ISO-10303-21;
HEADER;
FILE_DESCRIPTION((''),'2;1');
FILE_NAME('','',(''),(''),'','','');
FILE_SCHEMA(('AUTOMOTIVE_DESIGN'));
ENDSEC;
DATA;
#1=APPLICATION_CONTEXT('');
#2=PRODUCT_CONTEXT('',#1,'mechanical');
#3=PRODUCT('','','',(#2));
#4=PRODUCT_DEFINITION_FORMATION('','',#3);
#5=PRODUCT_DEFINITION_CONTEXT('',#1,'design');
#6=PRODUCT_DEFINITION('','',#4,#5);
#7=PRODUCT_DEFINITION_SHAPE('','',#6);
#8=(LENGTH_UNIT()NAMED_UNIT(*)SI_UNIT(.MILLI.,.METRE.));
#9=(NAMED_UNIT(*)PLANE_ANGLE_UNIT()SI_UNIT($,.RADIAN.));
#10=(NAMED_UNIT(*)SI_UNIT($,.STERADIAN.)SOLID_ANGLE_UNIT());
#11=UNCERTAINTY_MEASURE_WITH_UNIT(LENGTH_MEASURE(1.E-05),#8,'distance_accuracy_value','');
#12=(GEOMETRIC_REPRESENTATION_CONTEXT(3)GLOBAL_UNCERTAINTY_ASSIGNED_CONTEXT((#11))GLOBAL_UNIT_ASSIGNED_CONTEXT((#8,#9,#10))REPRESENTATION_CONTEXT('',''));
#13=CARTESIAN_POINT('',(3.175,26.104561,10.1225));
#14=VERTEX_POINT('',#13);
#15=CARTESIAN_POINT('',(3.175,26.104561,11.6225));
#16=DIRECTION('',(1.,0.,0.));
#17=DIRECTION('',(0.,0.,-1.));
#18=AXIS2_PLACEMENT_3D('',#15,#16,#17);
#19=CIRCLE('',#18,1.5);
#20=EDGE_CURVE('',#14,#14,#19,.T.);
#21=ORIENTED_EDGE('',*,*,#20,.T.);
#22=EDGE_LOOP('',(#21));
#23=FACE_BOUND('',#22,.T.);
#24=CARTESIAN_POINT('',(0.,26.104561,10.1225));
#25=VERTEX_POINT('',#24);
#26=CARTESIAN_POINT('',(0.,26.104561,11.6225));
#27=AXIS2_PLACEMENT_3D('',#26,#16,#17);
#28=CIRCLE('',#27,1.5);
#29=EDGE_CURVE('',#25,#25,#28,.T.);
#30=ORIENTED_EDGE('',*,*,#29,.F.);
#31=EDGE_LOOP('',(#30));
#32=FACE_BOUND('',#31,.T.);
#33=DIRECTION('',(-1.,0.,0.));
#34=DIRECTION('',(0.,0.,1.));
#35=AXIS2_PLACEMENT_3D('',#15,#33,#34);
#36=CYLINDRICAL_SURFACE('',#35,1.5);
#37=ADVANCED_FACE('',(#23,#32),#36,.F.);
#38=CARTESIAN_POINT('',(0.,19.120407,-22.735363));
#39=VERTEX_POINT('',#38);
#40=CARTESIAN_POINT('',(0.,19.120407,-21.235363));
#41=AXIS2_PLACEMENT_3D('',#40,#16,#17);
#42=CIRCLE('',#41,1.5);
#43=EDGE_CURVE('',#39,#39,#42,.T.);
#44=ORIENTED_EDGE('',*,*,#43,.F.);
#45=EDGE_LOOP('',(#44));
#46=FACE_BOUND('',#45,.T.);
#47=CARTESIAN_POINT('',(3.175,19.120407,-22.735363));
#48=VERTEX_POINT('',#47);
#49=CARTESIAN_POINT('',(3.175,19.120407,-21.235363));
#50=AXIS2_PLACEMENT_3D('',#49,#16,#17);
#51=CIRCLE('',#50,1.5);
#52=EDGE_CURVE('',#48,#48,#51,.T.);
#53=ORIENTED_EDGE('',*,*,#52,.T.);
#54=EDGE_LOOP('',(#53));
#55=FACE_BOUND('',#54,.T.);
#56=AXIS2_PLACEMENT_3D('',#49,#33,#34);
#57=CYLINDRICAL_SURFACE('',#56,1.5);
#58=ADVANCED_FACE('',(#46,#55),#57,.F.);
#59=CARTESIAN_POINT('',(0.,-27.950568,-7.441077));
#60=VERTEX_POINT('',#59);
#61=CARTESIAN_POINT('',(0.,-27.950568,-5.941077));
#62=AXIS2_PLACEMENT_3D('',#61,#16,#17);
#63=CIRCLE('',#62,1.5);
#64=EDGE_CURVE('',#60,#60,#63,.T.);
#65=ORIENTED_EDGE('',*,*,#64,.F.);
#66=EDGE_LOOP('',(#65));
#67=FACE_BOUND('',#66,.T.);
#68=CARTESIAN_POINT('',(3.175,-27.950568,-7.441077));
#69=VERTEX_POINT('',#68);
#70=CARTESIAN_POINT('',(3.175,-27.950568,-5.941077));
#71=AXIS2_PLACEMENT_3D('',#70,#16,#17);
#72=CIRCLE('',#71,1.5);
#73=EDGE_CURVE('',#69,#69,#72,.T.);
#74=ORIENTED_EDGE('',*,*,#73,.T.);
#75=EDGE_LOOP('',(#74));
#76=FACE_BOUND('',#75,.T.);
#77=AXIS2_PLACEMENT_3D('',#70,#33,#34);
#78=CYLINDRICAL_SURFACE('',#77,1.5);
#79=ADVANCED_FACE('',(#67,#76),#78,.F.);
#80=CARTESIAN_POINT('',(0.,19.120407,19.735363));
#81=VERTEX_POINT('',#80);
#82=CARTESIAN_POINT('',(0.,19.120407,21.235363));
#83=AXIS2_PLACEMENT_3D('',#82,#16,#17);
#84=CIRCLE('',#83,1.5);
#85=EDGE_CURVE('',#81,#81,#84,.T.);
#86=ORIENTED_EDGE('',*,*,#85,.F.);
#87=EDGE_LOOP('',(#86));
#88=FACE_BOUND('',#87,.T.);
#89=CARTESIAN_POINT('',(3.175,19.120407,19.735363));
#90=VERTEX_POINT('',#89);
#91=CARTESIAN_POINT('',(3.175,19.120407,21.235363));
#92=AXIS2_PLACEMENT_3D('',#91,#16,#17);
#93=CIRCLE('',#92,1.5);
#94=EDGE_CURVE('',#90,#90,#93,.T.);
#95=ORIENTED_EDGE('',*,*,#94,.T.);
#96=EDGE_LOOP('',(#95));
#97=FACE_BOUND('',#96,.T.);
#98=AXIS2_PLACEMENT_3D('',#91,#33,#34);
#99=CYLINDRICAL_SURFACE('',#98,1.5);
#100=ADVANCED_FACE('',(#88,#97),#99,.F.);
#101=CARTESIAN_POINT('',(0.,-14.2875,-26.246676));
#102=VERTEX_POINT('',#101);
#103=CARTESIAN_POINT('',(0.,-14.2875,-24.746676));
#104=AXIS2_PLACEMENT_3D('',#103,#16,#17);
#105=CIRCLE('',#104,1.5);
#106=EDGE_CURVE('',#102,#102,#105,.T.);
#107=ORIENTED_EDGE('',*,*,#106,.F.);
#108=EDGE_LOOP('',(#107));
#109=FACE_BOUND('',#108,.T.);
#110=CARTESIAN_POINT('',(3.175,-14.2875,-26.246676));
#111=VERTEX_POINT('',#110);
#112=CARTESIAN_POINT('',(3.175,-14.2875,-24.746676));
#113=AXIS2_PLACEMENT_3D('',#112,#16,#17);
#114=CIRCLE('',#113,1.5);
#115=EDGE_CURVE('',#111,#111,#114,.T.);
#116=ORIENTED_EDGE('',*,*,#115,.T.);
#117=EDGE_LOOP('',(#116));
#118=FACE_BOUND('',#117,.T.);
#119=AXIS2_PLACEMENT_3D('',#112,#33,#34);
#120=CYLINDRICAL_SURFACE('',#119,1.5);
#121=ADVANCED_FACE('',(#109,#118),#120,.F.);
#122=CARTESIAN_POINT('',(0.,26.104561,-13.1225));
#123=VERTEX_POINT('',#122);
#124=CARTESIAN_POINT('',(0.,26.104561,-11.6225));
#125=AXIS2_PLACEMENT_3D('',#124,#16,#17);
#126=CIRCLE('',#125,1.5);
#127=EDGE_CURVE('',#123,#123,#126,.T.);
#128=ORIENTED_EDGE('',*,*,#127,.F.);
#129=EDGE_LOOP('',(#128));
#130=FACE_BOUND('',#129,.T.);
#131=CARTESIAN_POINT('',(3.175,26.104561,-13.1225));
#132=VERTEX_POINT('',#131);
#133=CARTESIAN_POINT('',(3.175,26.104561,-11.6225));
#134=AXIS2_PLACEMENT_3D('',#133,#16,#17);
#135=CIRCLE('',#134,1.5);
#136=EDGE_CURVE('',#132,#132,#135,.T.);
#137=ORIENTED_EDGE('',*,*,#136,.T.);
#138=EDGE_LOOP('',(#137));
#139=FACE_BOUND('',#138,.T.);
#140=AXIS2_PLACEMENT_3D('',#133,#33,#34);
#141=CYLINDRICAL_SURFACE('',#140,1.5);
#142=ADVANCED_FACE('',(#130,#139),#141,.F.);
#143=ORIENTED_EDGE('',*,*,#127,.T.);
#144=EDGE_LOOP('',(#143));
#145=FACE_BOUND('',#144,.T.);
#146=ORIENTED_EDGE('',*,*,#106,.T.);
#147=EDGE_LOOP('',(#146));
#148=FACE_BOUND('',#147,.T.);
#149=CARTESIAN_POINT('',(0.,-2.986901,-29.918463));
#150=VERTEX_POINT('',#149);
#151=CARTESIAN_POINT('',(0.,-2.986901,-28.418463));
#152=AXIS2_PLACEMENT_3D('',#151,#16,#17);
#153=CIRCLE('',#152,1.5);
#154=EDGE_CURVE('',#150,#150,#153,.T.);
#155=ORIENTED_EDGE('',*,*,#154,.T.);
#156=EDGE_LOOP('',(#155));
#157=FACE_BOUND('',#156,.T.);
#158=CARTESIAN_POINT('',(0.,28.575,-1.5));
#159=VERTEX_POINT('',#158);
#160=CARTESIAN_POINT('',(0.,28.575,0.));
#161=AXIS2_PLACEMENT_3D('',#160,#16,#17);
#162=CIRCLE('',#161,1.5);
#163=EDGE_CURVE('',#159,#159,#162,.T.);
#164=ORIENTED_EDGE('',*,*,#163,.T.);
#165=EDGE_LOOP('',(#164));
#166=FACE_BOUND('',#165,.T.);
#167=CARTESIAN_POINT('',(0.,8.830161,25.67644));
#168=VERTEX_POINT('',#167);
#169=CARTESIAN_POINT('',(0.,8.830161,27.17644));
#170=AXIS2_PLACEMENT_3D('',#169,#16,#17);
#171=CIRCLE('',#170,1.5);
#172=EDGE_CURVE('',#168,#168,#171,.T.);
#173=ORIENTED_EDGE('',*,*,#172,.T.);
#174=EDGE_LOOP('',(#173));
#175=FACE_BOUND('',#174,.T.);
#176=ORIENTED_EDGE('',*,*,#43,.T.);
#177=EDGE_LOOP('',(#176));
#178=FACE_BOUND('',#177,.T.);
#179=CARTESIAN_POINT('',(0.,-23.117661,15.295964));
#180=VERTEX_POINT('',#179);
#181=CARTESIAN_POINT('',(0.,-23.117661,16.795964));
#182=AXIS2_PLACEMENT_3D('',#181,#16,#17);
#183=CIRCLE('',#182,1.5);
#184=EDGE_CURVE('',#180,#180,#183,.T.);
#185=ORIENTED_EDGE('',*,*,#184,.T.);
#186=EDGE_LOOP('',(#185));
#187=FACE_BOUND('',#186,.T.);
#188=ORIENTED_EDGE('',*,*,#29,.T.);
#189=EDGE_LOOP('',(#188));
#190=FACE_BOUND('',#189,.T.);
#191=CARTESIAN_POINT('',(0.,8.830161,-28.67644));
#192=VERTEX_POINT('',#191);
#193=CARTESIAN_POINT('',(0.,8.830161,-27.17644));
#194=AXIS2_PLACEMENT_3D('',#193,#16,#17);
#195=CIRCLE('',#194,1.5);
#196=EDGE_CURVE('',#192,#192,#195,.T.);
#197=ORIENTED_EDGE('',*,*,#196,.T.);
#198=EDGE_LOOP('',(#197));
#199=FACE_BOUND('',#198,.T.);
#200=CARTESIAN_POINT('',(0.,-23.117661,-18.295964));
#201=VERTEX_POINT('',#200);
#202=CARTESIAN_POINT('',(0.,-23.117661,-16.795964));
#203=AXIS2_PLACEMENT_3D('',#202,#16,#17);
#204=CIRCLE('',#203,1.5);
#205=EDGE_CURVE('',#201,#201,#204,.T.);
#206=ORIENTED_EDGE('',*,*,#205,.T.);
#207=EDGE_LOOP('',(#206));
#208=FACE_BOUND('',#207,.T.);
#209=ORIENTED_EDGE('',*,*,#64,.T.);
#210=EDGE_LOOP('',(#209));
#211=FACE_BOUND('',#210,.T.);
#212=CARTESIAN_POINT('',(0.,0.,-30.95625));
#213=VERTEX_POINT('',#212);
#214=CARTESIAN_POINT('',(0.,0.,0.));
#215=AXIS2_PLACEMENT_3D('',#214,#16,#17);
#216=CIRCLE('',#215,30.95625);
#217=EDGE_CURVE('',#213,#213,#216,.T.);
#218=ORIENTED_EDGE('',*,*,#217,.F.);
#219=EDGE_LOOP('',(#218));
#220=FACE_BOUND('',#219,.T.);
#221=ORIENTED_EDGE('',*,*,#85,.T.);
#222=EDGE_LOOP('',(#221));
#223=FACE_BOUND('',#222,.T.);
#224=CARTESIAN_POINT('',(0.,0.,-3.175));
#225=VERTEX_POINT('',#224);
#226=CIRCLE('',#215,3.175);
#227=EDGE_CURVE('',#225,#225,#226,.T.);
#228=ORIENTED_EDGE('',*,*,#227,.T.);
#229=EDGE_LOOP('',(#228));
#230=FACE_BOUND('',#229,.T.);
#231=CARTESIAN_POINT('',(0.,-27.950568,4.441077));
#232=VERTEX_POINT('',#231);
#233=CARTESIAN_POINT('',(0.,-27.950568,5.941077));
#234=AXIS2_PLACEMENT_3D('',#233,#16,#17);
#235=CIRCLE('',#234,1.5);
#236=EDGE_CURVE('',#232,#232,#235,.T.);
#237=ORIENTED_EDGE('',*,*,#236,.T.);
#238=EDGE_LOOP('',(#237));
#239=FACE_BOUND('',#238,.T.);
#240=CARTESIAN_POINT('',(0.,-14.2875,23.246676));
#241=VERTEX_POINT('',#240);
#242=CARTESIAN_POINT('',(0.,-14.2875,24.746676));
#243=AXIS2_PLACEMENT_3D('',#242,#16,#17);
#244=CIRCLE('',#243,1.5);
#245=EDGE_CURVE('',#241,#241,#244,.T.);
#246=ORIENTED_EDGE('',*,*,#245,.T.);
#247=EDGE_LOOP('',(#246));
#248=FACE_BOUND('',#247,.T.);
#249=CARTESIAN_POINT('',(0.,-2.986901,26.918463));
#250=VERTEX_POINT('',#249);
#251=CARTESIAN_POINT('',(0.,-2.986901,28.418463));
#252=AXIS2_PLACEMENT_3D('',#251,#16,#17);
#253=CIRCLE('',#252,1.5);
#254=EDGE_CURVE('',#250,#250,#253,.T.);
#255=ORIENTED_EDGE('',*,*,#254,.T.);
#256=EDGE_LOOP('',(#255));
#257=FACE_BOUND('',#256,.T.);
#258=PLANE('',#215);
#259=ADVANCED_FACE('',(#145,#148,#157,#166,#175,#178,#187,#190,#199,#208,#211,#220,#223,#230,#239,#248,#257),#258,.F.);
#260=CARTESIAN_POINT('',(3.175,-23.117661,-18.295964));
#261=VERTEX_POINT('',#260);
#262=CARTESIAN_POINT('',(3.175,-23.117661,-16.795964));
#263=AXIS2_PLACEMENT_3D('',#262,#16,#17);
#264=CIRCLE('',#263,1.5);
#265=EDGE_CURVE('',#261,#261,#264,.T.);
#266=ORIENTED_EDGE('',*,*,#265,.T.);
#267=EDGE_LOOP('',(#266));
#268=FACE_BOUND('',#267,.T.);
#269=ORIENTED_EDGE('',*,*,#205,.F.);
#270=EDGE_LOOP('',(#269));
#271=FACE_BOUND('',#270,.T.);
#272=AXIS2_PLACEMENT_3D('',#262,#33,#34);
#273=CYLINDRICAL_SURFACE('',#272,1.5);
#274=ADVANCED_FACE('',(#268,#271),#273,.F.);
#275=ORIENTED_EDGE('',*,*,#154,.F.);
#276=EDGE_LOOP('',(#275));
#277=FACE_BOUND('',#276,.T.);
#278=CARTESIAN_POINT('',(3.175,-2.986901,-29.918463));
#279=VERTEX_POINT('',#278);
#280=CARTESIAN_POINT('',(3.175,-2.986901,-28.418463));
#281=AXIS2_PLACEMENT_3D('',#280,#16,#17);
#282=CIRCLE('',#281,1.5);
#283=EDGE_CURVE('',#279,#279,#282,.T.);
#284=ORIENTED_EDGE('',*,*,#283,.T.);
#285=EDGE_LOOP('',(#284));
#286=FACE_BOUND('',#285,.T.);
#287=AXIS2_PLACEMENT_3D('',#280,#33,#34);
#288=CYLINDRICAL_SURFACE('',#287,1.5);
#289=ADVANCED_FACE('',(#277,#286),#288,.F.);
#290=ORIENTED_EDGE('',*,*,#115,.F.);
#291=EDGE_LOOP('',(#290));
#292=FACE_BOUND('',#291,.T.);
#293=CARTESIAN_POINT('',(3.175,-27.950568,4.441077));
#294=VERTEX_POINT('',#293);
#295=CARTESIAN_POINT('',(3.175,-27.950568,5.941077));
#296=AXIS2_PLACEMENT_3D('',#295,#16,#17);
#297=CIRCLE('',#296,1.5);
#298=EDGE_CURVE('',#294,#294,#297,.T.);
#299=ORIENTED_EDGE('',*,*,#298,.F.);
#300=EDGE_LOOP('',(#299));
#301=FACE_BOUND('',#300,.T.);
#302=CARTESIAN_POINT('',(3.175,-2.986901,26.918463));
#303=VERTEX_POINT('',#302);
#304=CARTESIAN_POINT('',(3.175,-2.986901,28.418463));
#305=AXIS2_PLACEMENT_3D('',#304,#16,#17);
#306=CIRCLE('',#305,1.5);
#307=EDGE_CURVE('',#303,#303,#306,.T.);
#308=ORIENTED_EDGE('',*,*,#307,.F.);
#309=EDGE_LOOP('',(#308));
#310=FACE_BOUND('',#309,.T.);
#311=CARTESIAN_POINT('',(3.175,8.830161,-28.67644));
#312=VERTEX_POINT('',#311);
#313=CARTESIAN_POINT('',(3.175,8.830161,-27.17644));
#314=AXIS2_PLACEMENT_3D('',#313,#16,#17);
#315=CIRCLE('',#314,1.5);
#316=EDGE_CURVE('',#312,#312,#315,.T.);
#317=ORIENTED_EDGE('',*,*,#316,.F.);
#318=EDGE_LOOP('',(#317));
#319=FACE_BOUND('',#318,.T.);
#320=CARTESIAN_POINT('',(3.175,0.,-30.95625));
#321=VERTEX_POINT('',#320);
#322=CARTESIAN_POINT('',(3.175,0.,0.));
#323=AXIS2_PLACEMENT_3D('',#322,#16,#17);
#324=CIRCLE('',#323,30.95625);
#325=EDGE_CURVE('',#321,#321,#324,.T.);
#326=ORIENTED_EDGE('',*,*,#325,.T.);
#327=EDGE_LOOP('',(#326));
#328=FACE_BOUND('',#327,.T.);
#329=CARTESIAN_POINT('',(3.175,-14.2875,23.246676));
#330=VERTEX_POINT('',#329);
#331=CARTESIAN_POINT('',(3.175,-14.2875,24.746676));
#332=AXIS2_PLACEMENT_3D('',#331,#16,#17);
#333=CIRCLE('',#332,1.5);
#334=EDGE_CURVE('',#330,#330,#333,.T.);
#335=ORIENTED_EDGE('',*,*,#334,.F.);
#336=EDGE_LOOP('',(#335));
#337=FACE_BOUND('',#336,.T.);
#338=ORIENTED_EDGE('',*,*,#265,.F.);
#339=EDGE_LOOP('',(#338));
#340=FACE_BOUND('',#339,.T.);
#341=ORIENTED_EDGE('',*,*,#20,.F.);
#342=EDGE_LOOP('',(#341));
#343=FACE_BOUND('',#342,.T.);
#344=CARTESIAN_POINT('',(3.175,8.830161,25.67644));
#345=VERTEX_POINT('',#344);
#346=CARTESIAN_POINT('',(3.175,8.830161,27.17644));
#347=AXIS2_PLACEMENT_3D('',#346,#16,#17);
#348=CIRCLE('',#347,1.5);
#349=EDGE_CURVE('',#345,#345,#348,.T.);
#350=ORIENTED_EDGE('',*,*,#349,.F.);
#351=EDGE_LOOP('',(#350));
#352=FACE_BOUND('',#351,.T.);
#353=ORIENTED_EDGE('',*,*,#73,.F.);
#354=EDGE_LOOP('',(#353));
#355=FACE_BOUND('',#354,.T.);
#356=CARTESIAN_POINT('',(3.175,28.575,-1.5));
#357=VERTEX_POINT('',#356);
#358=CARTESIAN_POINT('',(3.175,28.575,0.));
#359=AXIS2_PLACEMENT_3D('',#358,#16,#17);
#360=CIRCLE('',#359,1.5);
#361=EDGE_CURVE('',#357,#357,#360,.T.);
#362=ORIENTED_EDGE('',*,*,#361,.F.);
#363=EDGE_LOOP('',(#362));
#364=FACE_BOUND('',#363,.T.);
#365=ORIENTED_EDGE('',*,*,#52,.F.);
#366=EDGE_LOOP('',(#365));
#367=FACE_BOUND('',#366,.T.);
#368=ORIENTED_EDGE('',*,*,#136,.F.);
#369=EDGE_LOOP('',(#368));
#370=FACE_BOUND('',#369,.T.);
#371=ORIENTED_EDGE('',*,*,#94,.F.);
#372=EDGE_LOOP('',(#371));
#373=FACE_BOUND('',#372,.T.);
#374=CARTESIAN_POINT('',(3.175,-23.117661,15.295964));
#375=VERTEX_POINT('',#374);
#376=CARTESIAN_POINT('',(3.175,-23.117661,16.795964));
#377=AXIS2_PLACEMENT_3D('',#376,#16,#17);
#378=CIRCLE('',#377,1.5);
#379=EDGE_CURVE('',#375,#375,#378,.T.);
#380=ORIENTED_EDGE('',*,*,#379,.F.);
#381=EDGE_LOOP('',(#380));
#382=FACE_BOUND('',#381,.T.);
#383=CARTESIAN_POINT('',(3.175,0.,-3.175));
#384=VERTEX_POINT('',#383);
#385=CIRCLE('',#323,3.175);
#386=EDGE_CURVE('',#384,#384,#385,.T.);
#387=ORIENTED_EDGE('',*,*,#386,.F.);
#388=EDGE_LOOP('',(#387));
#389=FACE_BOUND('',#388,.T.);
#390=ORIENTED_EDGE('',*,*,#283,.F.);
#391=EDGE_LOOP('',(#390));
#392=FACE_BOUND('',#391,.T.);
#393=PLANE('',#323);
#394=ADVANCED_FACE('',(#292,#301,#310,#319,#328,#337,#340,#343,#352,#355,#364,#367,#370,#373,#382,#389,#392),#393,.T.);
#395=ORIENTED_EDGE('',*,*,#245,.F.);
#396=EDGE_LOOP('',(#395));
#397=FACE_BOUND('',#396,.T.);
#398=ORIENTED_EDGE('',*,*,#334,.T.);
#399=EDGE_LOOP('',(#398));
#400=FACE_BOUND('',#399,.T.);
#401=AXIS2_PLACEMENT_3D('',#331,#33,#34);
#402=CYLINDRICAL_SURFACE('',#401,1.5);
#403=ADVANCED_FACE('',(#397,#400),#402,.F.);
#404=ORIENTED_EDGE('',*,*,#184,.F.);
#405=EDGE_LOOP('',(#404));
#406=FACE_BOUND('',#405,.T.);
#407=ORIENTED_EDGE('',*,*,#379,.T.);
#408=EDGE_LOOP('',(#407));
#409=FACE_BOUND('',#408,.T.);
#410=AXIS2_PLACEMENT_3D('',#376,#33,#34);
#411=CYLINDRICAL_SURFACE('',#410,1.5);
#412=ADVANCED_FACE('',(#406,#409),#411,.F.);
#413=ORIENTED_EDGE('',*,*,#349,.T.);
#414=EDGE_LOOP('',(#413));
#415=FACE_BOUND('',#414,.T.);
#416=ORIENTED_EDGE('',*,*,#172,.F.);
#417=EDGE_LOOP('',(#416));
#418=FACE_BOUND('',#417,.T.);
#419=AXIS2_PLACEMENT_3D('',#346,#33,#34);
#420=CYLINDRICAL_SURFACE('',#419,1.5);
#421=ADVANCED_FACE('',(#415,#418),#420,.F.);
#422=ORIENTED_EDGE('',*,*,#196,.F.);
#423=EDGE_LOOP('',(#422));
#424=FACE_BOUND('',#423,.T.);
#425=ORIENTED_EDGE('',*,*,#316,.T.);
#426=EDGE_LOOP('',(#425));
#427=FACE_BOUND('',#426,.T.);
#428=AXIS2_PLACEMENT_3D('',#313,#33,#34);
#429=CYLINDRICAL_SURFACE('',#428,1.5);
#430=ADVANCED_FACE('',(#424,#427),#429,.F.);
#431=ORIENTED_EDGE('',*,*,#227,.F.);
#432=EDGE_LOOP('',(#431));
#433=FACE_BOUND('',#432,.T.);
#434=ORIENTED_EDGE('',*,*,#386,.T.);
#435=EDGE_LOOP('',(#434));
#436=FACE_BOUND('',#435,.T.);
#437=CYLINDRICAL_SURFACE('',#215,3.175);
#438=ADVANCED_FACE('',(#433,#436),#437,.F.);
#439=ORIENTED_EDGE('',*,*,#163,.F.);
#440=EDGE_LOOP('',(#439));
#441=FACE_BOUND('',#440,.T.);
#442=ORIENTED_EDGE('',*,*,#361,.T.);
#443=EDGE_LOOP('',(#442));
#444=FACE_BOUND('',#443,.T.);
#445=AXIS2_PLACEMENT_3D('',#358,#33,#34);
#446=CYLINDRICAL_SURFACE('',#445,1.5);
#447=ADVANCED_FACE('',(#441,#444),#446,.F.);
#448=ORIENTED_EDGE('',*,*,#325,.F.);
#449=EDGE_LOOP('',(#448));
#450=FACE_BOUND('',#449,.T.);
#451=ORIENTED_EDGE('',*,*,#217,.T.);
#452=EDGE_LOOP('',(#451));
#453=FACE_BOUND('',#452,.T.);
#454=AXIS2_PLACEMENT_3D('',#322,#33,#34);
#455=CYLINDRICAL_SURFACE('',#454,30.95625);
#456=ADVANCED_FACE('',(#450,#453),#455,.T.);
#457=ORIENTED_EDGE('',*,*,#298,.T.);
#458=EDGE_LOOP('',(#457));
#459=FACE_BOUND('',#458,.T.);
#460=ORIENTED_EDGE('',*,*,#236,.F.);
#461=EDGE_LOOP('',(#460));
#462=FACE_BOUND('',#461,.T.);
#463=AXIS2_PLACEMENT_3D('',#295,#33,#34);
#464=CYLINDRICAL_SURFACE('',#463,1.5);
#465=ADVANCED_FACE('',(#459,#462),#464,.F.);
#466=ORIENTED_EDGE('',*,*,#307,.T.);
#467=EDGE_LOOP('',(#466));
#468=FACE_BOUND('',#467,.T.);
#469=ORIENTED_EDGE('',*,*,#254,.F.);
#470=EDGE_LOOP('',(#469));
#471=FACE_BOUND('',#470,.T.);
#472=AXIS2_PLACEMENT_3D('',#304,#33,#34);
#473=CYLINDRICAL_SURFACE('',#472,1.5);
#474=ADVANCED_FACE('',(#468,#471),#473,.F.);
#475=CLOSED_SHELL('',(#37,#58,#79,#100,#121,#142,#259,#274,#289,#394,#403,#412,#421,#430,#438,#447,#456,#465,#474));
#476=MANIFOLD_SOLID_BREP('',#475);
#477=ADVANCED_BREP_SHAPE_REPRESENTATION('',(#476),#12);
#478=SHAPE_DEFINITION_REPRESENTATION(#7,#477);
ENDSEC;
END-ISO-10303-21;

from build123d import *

# Parameters (mm, degrees)
SKETCH1_R           = 30.95625
SKETCH1_R_2         = 1.5
BOSS_EXTRUDE1_DEPTH = 3.175
SKETCH2_R           = 3.175
CUT_EXTRUDE1_DEPTH  = 44.893729087


with BuildPart() as part:
    # Sketch1 → Boss-Extrude1 (new body)
    with BuildSketch(Plane(origin=(0, 0, 0), x_dir=(0, 0, -1), z_dir=(1, 0, 0))):
        Circle(SKETCH1_R)
        with Locations((0, 28.575)):
            Circle(SKETCH1_R_2, mode=Mode.SUBTRACT)
        with Locations((11.622499576, 26.104561452)):
            Circle(SKETCH1_R_2, mode=Mode.SUBTRACT)
        with Locations((21.235363388, 19.120407077)):
            Circle(SKETCH1_R_2, mode=Mode.SUBTRACT)
        with Locations((27.176439953, 8.830160614)):
            Circle(SKETCH1_R_2, mode=Mode.SUBTRACT)
        with Locations((28.41846316, -2.986900838)):
            Circle(SKETCH1_R_2, mode=Mode.SUBTRACT)
        with Locations((24.746675913, -14.2875)):
            Circle(SKETCH1_R_2, mode=Mode.SUBTRACT)
        with Locations((16.795963584, -23.117660614)):
            Circle(SKETCH1_R_2, mode=Mode.SUBTRACT)
        with Locations((5.941076565, -27.950567691)):
            Circle(SKETCH1_R_2, mode=Mode.SUBTRACT)
        with Locations((-5.941076565, -27.950567691)):
            Circle(SKETCH1_R_2, mode=Mode.SUBTRACT)
        with Locations((-16.795963584, -23.117660614)):
            Circle(SKETCH1_R_2, mode=Mode.SUBTRACT)
        with Locations((-24.746675913, -14.2875)):
            Circle(SKETCH1_R_2, mode=Mode.SUBTRACT)
        with Locations((-28.41846316, -2.986900838)):
            Circle(SKETCH1_R_2, mode=Mode.SUBTRACT)
        with Locations((-27.176439953, 8.830160614)):
            Circle(SKETCH1_R_2, mode=Mode.SUBTRACT)
        with Locations((-21.235363388, 19.120407077)):
            Circle(SKETCH1_R_2, mode=Mode.SUBTRACT)
        with Locations((-11.622499576, 26.104561452)):
            Circle(SKETCH1_R_2, mode=Mode.SUBTRACT)
    extrude(amount=BOSS_EXTRUDE1_DEPTH)

    # Sketch2 → Cut-Extrude1 (cut, through all)
    with BuildSketch(Plane(origin=(3.175, 0, 0), x_dir=(0, 0, -1), z_dir=(1, 0, 0))):
        Circle(SKETCH2_R)
    extrude(amount=-CUT_EXTRUDE1_DEPTH, mode=Mode.SUBTRACT)


solid = part.part
